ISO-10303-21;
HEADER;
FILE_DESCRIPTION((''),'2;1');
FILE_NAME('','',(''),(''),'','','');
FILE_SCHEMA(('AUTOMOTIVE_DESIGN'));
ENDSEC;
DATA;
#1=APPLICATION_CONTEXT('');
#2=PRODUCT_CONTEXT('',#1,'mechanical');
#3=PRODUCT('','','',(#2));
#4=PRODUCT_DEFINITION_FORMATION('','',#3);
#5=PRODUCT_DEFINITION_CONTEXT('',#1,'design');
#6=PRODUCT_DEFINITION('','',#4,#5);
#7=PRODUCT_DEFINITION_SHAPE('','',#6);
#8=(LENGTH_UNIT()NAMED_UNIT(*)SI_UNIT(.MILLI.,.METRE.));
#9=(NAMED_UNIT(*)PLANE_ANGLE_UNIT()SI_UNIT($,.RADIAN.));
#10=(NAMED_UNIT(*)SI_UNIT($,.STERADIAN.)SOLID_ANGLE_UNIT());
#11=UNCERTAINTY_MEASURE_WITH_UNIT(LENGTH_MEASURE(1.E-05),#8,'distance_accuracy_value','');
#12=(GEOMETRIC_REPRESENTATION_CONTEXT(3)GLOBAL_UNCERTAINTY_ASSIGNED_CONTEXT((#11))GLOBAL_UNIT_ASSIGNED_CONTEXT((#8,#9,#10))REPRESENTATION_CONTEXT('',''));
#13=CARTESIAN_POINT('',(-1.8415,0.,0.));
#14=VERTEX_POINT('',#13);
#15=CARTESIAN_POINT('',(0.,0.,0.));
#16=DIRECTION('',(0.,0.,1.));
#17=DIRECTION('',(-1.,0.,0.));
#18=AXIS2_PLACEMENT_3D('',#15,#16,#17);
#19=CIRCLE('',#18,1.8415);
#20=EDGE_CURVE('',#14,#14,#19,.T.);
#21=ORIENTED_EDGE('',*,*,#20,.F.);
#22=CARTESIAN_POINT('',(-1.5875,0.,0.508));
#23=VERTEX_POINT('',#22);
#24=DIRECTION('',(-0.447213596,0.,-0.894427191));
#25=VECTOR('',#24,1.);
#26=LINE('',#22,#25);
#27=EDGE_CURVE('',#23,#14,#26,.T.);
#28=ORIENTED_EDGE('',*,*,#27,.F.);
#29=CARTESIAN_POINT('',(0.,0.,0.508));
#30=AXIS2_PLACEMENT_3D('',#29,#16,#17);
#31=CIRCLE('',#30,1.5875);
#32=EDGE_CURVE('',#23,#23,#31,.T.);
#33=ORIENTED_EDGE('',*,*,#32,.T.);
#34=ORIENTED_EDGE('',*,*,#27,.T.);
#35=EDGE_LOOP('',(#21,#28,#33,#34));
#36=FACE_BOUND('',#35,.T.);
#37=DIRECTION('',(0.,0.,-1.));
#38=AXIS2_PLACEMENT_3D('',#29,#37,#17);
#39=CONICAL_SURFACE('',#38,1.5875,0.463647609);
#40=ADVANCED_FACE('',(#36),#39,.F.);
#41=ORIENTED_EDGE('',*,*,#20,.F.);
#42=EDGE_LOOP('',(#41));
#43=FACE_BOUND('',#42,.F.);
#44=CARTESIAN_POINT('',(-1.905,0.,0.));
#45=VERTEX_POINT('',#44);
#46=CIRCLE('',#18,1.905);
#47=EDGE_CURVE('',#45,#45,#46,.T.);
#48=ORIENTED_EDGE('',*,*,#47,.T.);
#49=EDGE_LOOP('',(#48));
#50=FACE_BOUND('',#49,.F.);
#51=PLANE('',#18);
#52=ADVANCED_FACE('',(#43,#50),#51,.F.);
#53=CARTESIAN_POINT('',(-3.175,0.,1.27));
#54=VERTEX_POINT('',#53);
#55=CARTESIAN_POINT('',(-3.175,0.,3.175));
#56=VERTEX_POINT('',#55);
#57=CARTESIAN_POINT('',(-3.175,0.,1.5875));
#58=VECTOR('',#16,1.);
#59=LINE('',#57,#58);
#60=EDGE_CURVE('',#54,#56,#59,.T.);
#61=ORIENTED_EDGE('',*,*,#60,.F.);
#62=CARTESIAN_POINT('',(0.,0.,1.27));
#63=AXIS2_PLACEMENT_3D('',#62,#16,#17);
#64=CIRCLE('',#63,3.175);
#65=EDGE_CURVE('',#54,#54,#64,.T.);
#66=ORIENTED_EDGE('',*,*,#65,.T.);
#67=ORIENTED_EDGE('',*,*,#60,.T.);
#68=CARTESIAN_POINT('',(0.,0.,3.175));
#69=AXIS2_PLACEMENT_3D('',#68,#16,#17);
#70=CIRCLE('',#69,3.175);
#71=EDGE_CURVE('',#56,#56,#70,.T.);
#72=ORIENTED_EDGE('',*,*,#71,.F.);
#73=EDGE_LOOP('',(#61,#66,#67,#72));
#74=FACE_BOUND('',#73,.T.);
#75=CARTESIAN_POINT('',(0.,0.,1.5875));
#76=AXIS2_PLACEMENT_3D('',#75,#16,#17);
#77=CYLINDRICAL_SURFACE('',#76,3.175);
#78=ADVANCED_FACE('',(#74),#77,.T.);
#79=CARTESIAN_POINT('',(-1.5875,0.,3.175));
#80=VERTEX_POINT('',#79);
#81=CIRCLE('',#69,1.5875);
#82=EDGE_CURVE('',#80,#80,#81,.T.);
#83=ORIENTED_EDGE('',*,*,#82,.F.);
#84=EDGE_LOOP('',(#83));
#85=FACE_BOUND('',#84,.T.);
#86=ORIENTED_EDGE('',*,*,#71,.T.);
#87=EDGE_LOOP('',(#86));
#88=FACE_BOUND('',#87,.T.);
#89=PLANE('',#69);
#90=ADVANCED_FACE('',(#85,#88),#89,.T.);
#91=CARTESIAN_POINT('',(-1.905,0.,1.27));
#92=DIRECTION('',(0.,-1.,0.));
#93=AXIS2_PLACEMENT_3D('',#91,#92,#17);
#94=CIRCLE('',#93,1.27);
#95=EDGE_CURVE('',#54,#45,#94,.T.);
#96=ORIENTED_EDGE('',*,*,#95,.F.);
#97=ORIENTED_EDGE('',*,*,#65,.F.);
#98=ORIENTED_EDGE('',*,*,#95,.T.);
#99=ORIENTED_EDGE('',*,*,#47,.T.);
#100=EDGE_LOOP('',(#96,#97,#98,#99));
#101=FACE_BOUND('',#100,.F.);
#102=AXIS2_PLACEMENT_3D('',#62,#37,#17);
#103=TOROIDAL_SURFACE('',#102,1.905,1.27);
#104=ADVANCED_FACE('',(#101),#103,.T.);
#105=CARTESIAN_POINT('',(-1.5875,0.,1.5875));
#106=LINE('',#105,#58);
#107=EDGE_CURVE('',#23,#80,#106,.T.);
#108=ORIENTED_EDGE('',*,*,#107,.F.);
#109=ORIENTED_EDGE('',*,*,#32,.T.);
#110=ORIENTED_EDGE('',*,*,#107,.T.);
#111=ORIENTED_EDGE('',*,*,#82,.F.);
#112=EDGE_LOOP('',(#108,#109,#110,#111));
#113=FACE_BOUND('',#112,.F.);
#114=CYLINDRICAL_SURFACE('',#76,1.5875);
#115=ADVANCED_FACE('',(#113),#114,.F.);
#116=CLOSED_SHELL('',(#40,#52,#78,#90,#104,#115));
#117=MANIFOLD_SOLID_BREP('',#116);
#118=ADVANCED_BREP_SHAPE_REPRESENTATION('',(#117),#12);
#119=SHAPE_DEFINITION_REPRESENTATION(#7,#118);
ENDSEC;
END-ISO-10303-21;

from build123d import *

# Parameters (mm, degrees)
F0_W     = 1.5875
F0_H     = 3.175
F2_R     = 1.27
F3_SIZE2 = 0.254
F3_SIZE  = 0.508


with BuildPart() as f1:
    # F0 (on Front) → F1 (revolve)
    with BuildSketch(Plane.XZ):
        with Locations((-2.38125, 1.5875)):
            Rectangle(F0_W, F0_H)
    revolve(axis=Axis((0, 0, 3.3253985457), (0, 0, 1)))

    # F2
    f2_edges = [f1.edges().sort_by_distance(p)[0] for p in [
        (3.175, 0, 0),
    ]]
    fillet(f2_edges, radius=F2_R)

    # F3
    f3_edges = [f1.edges().sort_by_distance(p)[0] for p in [
        (1.5875, 0, 0),
    ]]
    f3_side = f1.faces().sort_by_distance((1.5875, 0, 1.5875))[0]
    chamfer(f3_edges, length=F3_SIZE, length2=F3_SIZE2, reference=f3_side)


solid = f1.part
